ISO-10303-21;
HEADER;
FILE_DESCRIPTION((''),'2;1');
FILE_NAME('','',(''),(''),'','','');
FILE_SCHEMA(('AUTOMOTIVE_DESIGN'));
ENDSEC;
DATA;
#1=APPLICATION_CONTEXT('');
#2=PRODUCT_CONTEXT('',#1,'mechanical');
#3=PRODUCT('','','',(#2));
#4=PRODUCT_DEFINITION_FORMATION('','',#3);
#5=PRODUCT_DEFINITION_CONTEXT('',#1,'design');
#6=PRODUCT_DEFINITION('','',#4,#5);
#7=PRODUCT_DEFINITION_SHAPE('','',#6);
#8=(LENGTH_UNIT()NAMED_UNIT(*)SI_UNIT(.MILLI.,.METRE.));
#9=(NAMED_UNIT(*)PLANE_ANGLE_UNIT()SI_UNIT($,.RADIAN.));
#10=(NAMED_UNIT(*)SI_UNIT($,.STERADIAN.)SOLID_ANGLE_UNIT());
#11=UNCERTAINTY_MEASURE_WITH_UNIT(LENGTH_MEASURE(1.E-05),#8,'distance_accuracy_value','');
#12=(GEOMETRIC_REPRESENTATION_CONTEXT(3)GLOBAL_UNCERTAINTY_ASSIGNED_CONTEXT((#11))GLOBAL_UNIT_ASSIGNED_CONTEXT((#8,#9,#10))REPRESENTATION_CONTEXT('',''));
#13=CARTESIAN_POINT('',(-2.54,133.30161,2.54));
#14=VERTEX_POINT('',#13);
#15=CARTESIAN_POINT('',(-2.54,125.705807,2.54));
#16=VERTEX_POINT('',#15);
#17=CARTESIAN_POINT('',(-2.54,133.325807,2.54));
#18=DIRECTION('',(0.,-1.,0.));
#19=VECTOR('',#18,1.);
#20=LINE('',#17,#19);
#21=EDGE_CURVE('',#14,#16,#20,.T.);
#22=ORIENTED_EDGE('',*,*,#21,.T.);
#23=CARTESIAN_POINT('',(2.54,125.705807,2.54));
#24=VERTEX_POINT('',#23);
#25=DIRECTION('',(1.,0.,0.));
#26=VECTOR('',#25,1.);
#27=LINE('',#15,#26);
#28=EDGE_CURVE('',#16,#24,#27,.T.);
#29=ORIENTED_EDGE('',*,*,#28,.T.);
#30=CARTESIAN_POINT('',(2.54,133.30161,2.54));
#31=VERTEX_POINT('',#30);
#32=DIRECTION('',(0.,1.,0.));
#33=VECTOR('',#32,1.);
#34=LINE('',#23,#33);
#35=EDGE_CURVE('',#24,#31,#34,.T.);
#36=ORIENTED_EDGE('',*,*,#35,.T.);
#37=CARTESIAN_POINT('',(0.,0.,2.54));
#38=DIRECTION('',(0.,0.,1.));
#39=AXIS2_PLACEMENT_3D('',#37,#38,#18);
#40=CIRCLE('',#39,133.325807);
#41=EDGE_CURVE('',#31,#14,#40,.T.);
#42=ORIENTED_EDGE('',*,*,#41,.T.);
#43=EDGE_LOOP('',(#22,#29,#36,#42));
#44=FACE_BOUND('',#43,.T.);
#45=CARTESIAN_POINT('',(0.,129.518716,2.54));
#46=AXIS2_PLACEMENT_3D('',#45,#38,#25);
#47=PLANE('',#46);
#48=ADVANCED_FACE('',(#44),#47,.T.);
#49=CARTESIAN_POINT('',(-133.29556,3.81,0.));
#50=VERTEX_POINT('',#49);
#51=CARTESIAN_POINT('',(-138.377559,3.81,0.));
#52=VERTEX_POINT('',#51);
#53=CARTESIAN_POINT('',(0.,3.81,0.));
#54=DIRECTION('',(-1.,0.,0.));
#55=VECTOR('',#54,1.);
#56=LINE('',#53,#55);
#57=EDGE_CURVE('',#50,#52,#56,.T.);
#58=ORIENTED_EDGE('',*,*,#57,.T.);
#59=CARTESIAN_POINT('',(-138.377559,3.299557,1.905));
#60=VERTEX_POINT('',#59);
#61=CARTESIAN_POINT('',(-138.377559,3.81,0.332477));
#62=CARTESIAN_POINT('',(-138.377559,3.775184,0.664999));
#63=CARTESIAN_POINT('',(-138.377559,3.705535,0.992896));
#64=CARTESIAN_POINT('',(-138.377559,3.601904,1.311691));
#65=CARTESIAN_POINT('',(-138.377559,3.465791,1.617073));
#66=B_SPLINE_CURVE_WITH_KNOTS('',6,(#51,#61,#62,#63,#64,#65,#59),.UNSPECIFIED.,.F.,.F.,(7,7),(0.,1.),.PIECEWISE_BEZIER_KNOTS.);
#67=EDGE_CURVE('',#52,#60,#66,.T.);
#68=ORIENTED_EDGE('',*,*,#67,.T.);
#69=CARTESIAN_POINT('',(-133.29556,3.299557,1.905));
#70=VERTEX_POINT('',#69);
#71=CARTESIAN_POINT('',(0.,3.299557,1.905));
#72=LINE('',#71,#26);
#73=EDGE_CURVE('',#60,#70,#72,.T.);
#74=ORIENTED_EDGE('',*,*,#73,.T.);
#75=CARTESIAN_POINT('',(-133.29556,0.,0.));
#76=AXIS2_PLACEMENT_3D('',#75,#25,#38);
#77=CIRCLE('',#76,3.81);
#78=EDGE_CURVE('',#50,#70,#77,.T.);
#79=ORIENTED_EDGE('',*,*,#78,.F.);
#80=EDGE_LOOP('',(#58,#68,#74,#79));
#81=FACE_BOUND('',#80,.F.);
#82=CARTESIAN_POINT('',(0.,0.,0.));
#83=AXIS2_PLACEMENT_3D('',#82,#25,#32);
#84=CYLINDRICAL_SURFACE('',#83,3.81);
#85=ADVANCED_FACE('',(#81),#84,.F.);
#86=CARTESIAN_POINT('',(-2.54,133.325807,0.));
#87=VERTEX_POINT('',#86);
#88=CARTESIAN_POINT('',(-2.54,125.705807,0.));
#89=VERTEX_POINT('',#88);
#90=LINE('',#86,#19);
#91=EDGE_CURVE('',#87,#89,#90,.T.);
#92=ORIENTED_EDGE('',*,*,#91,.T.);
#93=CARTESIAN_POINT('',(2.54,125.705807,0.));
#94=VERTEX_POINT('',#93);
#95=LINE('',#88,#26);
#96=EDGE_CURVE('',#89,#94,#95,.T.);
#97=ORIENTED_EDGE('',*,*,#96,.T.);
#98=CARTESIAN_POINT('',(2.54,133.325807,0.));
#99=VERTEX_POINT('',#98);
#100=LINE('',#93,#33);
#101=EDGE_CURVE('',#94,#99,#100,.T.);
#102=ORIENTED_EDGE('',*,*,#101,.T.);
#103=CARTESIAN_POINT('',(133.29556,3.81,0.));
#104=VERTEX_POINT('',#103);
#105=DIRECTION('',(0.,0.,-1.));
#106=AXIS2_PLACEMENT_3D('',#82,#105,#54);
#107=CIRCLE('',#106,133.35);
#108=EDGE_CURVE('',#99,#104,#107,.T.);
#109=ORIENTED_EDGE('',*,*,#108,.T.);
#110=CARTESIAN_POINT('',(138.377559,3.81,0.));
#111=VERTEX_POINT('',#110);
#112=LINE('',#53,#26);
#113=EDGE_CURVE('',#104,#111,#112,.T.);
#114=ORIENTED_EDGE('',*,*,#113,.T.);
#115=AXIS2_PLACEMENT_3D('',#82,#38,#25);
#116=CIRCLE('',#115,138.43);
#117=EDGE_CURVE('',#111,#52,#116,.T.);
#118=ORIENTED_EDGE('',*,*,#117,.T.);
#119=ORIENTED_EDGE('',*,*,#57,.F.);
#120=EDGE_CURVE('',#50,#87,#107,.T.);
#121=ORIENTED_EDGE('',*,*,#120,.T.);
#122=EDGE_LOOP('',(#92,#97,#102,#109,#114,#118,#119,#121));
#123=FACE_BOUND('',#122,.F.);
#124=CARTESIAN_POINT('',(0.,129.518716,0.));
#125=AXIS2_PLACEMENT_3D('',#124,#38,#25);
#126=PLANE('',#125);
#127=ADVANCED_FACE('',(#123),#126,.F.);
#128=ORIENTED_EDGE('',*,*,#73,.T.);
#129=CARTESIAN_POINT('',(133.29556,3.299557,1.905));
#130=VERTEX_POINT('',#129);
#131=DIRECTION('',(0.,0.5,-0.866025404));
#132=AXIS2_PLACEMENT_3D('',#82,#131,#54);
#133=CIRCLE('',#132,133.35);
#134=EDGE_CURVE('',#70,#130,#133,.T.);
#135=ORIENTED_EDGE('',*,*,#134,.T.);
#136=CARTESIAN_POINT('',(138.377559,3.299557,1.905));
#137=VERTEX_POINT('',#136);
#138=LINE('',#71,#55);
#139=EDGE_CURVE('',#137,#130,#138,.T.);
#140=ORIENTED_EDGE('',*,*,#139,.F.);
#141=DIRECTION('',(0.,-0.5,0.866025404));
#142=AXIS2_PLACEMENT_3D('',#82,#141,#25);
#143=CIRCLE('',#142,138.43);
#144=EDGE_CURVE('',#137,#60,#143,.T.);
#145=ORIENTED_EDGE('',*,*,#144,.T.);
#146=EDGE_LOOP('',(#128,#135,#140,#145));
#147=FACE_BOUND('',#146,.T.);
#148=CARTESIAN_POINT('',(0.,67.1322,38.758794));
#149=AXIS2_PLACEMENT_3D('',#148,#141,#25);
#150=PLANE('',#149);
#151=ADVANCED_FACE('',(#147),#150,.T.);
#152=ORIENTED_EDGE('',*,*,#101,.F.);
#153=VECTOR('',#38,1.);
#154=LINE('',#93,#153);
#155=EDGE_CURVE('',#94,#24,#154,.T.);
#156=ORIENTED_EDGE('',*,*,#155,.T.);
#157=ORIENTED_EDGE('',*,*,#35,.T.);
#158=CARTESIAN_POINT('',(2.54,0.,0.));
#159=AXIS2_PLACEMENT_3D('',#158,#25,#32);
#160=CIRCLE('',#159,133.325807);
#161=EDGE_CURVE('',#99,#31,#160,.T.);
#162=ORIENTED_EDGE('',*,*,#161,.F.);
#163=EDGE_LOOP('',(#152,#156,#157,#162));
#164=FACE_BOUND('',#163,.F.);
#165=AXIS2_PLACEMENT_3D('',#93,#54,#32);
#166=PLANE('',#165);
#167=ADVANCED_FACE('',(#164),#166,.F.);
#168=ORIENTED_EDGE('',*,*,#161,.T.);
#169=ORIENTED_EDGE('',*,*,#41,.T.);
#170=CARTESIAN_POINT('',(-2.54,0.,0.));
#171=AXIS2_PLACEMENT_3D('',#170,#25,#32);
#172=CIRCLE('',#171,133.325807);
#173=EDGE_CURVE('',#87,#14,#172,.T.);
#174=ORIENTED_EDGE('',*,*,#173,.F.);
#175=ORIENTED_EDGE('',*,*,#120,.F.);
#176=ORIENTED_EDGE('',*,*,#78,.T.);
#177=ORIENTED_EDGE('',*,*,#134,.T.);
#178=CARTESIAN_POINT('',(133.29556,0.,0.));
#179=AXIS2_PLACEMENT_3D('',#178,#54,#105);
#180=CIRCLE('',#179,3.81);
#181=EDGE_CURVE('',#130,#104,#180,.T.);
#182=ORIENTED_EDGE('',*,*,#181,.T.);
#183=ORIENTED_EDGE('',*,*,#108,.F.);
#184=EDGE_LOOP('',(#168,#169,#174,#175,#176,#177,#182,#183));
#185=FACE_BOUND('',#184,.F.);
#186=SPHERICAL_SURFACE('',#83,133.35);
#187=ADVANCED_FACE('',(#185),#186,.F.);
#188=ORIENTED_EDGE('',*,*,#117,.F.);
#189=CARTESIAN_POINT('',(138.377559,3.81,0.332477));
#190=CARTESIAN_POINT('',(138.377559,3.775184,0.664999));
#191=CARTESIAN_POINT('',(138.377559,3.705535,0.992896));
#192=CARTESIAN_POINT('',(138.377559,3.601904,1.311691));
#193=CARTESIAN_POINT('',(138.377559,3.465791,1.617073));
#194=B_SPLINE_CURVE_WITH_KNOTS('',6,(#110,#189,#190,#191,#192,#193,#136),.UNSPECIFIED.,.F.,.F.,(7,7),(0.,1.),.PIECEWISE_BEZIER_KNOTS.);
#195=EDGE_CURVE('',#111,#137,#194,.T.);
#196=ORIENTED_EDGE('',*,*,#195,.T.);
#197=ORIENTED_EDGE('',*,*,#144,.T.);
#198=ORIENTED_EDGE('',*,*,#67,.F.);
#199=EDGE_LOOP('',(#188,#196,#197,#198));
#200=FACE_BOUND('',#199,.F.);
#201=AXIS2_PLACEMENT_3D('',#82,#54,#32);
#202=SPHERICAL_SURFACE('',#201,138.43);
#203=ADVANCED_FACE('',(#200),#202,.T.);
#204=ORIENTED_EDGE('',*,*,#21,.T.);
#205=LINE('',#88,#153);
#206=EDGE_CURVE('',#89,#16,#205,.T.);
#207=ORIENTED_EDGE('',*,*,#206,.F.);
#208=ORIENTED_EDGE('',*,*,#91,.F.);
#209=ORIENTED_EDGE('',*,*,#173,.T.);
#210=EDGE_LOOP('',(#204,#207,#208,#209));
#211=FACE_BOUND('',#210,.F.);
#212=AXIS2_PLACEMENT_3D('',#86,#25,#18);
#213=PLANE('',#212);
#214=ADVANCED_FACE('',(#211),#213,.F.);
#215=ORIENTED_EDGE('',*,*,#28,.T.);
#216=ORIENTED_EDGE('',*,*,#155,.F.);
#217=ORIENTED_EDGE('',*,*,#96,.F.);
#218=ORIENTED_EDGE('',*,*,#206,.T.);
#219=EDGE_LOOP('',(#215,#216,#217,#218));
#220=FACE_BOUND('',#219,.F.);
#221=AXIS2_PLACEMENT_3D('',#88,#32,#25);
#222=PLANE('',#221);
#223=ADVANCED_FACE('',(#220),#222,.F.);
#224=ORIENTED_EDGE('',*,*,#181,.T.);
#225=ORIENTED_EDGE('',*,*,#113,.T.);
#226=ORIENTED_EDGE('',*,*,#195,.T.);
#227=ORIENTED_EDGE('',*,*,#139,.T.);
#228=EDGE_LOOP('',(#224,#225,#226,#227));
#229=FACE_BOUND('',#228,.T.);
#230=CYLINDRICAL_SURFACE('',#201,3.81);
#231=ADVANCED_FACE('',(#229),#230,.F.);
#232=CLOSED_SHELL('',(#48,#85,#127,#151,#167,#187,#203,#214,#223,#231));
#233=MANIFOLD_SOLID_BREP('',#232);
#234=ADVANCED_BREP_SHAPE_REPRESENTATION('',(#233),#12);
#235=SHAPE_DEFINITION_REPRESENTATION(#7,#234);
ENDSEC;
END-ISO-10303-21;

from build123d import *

# Parameters (mm, degrees)
F1_ANGLE      = 30
F2_R          = 3.81
F3_DEPTH      = 138.431
F3_DEPTH_BACK = 138.431
F5_DEPTH      = 2.54


with BuildPart() as f1:
    # F0 (on Top) → F1 (revolve)
    with BuildSketch(Plane.XY):
        with BuildLine():
            Line((-138.43, 0), (-133.35, 0))
            ThreePointArc((-133.35, 0), (0, 133.35), (133.35, 0))
            Line((133.35, 0), (138.43, 0))
            ThreePointArc((138.43, 0), (0, 138.43), (-138.43, 0))
        make_face()
    revolve(axis=Axis((-66.675, 0, 0), (1, 0, 0)), revolution_arc=F1_ANGLE)

    # F2 (on Right) → F3 (cut, two sides)
    with BuildSketch(Plane.YZ) as f3_sk:
        Circle(F2_R)
    extrude(amount=-F3_DEPTH, mode=Mode.SUBTRACT)
    extrude(f3_sk.sketch, amount=F3_DEPTH_BACK, mode=Mode.SUBTRACT)

    # F4 (on Top) → F5 (join)
    with BuildSketch(Plane.XY):
        with BuildLine():
            ThreePointArc((2.54, 133.3258073293), (0, 133.35), (-2.54, 133.3258073293))
            Line((-2.54, 133.3258073293), (-2.54, 125.7058073293))
            Line((-2.54, 125.7058073293), (2.54, 125.7058073293))
            Line((2.54, 125.7058073293), (2.54, 133.3258073293))
        make_face()
    extrude(amount=F5_DEPTH)


solid = f1.part
